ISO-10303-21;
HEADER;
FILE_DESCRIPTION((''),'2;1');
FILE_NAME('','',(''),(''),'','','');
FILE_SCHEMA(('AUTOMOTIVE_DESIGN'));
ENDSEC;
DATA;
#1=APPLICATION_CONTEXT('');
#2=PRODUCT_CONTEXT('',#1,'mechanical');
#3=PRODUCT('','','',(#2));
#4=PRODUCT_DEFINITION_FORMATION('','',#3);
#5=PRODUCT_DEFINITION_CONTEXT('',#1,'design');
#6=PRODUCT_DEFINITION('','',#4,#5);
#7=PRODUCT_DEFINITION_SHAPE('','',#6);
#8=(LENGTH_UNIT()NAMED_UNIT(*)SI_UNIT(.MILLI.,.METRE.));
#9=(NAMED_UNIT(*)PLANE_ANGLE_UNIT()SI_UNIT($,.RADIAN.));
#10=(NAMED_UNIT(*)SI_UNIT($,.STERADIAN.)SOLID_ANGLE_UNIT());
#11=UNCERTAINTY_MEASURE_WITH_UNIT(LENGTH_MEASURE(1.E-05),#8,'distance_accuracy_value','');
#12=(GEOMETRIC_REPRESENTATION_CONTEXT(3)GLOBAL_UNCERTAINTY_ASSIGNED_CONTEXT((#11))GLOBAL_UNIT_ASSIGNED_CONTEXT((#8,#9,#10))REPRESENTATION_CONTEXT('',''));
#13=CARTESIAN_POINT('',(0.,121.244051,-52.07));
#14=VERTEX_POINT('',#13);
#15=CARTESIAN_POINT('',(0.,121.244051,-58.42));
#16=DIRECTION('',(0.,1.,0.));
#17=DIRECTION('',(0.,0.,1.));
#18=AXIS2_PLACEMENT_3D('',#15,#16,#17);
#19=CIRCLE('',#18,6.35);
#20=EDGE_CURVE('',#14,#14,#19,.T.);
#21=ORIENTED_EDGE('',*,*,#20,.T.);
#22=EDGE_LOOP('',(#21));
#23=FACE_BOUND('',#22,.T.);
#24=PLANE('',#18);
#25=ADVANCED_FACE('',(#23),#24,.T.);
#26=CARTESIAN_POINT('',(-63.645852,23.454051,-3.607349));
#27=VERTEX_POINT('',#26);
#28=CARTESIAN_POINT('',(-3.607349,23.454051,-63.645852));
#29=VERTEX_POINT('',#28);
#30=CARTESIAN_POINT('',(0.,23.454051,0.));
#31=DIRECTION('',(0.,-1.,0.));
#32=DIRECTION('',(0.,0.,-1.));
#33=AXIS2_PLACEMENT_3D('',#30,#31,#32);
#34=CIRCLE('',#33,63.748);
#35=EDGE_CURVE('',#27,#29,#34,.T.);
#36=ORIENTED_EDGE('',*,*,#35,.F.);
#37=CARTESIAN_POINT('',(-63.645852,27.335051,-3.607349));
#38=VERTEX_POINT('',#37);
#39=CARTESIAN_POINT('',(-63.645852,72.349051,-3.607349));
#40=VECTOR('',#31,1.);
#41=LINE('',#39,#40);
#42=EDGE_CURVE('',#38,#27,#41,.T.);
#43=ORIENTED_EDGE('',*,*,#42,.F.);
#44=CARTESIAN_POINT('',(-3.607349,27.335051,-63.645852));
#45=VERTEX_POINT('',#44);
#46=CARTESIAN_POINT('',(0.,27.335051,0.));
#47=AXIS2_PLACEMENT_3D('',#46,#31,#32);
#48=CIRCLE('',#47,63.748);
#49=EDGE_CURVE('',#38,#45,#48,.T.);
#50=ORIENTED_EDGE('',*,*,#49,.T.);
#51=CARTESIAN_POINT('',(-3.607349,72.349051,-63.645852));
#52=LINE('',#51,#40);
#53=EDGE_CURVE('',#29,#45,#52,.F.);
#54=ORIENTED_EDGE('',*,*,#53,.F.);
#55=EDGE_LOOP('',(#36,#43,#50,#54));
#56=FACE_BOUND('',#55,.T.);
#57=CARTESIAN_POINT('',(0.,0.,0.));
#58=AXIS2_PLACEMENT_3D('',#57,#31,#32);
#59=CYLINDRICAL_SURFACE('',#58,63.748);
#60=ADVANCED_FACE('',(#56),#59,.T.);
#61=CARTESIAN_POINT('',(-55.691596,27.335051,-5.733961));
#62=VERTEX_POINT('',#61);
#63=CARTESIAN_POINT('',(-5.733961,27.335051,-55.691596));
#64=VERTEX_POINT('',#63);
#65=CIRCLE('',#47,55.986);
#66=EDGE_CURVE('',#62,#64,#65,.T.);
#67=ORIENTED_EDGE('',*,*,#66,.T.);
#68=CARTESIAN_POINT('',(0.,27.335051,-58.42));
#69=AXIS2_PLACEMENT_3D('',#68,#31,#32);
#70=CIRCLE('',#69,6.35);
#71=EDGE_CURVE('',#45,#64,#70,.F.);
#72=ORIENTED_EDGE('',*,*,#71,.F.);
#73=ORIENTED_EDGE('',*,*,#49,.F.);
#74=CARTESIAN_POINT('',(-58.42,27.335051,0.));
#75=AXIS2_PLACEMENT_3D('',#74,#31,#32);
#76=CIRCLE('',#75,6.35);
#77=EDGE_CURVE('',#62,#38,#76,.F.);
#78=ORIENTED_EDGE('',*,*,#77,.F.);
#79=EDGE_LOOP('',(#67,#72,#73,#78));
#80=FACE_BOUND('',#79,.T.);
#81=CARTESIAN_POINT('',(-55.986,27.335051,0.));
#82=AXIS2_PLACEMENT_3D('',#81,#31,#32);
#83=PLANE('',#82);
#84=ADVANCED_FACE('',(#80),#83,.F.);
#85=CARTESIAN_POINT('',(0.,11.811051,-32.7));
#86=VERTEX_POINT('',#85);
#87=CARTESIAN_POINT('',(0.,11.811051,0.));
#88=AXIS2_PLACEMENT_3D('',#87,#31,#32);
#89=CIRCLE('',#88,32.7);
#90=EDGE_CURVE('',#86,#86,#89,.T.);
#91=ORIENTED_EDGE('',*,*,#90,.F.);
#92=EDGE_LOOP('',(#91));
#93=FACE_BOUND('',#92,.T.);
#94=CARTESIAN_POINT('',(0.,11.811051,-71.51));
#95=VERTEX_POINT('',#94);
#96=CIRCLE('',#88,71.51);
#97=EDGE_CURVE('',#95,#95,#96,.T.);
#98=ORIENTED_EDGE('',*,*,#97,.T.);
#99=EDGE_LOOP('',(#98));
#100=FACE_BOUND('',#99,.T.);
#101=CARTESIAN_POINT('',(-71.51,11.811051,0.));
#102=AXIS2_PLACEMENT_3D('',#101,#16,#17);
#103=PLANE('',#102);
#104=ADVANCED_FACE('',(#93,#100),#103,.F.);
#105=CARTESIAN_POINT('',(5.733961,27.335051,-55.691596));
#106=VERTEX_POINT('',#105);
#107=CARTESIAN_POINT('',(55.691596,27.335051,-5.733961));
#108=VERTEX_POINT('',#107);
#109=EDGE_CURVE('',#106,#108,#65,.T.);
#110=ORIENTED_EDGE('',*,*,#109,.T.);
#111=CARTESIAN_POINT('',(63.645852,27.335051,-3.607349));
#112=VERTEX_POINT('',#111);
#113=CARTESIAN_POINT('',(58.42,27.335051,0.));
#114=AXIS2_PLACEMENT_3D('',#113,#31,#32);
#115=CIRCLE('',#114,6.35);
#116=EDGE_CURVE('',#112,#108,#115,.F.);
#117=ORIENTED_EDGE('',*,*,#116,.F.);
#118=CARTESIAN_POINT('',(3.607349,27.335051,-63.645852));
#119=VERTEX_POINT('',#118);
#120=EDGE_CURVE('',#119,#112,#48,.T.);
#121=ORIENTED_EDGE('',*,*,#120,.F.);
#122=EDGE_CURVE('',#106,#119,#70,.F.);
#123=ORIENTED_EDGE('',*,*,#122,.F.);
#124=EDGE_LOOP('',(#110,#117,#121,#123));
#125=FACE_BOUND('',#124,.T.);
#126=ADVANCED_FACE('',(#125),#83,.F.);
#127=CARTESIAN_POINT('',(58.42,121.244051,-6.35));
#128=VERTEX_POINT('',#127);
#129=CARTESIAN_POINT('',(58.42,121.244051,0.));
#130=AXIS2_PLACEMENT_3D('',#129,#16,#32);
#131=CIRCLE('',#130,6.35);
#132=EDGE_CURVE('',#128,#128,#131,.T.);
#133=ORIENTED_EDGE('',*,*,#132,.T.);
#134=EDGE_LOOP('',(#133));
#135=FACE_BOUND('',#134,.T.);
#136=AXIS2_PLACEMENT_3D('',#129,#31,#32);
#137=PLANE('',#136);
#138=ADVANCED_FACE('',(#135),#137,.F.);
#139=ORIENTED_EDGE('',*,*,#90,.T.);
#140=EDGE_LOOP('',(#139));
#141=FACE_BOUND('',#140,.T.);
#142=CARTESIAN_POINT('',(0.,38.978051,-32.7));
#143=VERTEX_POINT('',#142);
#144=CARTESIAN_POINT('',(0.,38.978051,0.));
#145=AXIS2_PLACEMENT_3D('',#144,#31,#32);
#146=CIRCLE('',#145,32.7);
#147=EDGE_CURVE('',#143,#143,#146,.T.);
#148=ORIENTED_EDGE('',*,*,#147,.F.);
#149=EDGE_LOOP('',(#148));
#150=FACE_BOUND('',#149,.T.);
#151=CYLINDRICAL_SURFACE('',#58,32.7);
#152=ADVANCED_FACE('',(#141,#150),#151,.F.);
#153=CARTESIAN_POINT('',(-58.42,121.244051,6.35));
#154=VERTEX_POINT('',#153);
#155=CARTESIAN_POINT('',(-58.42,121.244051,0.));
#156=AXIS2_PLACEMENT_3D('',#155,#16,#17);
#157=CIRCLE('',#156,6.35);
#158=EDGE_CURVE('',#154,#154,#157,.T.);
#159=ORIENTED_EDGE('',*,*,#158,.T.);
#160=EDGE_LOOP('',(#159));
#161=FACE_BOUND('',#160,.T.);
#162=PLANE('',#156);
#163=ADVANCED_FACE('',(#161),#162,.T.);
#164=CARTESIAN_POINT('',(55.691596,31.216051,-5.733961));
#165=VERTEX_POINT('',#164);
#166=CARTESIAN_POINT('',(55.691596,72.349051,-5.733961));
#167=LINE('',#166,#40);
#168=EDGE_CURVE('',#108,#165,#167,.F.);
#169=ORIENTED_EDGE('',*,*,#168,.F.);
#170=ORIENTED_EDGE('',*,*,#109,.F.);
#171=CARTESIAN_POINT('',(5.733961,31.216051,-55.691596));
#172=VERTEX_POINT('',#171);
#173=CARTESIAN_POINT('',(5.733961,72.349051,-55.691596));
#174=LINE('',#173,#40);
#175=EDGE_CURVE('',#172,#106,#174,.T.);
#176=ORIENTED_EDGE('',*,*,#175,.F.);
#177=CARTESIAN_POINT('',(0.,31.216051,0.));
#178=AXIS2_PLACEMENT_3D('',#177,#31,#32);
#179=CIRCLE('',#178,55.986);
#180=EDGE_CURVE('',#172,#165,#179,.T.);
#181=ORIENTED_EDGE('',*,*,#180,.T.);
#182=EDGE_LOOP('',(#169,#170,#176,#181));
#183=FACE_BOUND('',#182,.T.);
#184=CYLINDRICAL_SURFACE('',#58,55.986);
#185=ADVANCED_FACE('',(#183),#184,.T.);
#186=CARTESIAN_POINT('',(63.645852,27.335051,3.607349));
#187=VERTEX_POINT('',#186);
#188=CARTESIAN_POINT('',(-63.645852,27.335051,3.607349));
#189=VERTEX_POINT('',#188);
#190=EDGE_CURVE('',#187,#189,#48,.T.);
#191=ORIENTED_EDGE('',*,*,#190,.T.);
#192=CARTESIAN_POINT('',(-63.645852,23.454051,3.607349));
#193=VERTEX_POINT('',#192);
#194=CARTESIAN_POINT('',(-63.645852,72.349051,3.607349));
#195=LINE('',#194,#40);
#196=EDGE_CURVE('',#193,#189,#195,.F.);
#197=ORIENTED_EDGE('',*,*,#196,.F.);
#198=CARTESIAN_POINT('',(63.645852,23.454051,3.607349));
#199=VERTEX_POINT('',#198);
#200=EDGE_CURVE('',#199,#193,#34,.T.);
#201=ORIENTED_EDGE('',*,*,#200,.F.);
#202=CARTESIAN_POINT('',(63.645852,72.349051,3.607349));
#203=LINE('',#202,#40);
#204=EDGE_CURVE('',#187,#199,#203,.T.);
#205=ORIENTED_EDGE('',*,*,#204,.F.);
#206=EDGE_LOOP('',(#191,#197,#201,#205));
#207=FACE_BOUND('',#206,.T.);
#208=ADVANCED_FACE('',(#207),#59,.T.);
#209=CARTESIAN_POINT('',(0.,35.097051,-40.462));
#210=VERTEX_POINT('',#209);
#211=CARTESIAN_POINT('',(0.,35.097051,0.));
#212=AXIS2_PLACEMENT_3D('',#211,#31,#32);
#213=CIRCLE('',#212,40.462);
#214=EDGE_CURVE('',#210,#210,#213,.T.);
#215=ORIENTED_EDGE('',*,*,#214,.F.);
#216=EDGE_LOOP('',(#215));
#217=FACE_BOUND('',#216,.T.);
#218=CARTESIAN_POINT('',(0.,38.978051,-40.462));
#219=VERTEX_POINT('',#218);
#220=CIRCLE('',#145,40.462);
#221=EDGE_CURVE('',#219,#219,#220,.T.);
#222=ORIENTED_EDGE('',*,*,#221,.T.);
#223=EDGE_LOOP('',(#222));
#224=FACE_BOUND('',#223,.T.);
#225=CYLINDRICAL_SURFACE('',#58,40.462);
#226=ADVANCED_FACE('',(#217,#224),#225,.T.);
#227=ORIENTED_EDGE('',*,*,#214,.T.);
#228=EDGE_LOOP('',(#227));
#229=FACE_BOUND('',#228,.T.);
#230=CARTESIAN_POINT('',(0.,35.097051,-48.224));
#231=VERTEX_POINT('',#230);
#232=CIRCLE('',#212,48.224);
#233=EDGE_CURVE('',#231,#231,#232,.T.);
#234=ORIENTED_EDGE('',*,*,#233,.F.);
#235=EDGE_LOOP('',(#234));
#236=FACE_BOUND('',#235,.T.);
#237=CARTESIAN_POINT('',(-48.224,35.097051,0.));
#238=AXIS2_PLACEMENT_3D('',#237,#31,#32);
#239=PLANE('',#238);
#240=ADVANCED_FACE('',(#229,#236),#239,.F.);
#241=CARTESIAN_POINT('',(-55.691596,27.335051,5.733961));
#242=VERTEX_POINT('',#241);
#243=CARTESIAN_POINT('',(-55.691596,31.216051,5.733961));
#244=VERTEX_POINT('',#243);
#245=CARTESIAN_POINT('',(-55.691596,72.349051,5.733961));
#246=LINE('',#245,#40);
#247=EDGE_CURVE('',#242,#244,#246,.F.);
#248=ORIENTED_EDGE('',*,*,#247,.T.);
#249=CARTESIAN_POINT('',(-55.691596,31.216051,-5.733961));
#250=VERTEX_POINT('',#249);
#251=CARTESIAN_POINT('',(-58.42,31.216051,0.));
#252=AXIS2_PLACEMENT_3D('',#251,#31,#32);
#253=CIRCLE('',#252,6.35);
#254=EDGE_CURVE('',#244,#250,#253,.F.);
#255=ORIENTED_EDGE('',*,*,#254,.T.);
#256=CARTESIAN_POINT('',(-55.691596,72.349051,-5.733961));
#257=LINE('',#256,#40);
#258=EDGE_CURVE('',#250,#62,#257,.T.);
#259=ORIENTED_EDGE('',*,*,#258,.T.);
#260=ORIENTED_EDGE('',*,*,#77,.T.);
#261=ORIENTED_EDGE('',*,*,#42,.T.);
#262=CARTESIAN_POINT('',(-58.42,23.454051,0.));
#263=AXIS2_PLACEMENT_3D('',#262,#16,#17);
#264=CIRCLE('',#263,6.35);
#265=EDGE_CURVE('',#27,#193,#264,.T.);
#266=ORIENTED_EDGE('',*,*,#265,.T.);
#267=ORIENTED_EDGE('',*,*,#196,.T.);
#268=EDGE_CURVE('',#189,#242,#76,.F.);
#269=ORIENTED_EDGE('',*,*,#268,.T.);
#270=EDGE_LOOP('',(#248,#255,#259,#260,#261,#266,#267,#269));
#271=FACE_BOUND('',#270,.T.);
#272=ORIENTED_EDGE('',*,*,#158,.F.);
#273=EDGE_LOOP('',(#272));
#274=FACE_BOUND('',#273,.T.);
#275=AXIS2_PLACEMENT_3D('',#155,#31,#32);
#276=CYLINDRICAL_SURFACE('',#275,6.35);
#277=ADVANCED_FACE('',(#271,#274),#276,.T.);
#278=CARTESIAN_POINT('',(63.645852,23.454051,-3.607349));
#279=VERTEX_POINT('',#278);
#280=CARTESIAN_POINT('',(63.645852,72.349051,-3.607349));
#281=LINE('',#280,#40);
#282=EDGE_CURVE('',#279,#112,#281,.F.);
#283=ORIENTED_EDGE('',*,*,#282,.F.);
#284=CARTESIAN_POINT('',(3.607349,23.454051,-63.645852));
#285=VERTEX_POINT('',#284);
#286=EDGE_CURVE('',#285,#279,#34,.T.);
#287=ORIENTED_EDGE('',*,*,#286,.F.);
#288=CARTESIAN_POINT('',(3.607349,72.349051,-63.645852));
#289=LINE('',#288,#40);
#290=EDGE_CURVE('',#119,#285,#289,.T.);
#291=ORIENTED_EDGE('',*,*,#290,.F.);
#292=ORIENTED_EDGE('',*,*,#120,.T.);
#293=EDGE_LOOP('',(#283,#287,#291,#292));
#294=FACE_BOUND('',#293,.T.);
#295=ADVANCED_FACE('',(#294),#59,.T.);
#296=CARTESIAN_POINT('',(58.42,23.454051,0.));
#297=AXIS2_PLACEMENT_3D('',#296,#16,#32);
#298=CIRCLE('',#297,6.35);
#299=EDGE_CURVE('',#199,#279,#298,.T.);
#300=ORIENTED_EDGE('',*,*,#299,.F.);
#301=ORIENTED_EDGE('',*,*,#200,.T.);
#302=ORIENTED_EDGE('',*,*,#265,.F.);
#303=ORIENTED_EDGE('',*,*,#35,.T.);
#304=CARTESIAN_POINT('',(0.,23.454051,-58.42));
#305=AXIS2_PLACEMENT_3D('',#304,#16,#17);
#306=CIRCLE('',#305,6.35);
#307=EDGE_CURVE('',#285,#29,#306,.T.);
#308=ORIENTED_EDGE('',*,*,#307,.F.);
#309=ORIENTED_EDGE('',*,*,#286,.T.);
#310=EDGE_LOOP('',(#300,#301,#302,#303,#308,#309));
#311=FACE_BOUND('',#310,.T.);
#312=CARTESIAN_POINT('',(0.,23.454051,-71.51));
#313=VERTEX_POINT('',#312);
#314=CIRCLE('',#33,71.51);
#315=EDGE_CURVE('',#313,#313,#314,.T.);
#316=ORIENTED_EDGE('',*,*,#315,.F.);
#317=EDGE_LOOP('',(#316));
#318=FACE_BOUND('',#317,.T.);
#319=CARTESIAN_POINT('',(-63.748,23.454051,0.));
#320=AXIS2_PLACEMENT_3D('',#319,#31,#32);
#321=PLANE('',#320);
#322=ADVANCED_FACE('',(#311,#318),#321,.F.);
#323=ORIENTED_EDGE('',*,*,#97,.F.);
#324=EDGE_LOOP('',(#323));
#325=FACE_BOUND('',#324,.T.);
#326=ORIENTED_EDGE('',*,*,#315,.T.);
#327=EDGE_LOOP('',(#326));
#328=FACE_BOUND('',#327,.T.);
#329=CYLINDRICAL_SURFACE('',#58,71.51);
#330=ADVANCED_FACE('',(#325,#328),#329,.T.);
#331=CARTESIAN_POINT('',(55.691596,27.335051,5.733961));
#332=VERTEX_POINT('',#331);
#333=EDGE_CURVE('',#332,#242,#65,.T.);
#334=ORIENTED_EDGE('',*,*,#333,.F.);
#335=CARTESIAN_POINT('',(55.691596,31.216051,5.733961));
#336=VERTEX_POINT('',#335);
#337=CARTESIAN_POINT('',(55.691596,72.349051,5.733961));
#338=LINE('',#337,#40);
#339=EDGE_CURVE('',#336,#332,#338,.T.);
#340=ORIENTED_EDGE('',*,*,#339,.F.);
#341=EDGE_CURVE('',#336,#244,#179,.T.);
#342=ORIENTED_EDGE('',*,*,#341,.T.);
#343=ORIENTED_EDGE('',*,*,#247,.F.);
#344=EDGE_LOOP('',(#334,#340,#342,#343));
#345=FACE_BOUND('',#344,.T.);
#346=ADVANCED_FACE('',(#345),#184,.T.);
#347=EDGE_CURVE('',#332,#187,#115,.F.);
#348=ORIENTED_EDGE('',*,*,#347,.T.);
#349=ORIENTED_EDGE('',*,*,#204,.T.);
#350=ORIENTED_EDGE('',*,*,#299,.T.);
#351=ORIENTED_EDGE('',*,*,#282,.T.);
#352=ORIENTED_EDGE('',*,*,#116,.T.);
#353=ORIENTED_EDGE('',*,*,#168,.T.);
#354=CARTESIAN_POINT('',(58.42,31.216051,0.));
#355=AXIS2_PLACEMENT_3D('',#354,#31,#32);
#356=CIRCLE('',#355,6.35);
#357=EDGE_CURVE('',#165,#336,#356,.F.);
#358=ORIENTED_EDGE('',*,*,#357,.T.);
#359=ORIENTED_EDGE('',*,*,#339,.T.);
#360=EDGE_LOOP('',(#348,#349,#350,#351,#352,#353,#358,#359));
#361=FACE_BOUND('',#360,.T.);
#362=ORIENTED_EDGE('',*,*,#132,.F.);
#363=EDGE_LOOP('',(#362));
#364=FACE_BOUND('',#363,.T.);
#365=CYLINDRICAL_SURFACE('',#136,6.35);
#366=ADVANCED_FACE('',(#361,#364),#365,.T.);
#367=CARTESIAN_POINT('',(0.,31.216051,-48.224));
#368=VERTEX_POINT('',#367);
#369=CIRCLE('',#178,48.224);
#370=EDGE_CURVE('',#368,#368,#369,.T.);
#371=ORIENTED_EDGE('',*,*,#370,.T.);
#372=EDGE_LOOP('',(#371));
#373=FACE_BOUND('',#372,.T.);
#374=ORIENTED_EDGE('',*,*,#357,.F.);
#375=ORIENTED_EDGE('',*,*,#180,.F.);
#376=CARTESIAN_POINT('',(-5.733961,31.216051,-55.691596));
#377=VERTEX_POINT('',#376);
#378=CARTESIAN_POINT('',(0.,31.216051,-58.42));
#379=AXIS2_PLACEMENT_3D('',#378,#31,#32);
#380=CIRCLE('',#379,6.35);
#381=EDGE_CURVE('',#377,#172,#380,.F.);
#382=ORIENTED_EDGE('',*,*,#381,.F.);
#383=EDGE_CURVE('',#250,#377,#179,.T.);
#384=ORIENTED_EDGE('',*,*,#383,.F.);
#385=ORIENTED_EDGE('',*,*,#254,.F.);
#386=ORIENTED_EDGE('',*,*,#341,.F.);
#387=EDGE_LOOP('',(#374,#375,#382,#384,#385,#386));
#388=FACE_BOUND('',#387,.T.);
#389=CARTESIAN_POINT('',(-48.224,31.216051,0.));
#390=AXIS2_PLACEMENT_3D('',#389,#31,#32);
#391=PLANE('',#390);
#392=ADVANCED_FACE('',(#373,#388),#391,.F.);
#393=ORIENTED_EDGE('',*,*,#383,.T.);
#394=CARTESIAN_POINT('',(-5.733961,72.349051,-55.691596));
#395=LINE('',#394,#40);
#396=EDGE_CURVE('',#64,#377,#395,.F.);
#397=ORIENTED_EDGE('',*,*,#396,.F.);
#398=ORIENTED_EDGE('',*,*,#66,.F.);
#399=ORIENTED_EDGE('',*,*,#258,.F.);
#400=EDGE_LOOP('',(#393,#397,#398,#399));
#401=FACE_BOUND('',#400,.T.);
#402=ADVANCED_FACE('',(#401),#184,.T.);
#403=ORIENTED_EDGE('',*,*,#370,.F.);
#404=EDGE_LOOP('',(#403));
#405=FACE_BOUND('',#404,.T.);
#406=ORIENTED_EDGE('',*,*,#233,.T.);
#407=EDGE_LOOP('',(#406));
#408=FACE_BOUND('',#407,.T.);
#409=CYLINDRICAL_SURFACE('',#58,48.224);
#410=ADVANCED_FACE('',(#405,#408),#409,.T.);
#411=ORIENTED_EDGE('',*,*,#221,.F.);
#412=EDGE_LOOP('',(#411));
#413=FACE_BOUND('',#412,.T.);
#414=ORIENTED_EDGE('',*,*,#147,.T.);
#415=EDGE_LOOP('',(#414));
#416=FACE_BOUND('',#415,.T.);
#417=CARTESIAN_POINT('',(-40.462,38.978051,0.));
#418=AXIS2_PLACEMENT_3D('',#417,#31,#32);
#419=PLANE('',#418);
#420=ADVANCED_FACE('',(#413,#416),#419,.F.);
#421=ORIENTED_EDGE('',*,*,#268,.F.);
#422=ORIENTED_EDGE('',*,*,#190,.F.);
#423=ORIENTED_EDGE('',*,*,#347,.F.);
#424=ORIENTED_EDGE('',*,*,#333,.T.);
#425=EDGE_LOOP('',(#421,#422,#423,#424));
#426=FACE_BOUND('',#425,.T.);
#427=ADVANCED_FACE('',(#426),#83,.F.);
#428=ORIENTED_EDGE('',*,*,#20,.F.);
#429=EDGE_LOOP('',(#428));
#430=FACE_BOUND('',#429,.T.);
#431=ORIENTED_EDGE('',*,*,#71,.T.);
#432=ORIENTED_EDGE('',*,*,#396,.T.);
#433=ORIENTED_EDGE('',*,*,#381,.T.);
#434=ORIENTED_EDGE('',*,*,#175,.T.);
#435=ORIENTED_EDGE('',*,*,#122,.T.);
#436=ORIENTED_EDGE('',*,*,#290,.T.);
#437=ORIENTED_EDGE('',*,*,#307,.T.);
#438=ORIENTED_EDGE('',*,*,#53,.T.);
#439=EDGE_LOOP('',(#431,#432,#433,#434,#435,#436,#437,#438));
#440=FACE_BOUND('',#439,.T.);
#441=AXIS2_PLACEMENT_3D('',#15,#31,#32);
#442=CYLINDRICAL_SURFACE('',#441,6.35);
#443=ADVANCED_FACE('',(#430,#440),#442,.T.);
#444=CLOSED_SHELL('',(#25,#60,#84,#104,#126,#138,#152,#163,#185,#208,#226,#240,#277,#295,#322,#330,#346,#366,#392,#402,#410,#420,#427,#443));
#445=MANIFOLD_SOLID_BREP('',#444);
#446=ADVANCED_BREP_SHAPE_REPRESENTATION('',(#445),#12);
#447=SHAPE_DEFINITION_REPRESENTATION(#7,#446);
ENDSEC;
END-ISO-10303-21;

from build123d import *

# Parameters (mm, degrees)
SKETCH8_R      = 6.35
EXTRUDE1_DEPTH = 97.79


with BuildPart() as part:
    # Sketch1 → Revolve1 (revolve)
    with BuildSketch(Plane.XY):
        Polygon((-48.22399997, 35.097050796), (-40.462, 35.097050796), (-40.462, 38.978050908), (-32.7, 38.978050908), (-32.7, 35.097050796), (-32.7, 11.811050572), (-71.50999988, 11.811050572), (-71.50999988, 23.454050572), (-63.74799991, 23.454050572), (-63.74799991, 27.335050572), (-55.98599994, 27.335050572), (-55.98599994, 31.216050684), (-48.22399997, 31.216050684), align=None)
    revolve(axis=Axis((0, 0, 0), (0, 1, 0)))

    # Sketch8 → Extrude1 (add)
    with BuildSketch(Plane(origin=(0, 23.454050572, 0), x_dir=(1, 0, 0), z_dir=(0, 1, 0))):
        with Locations((-58.42, 0)):
            Circle(SKETCH8_R)
        with Locations((58.42, 0)):
            Circle(SKETCH8_R)
        with Locations((0, 58.42)):
            Circle(SKETCH8_R)
    extrude(amount=EXTRUDE1_DEPTH)


solid = part.part
